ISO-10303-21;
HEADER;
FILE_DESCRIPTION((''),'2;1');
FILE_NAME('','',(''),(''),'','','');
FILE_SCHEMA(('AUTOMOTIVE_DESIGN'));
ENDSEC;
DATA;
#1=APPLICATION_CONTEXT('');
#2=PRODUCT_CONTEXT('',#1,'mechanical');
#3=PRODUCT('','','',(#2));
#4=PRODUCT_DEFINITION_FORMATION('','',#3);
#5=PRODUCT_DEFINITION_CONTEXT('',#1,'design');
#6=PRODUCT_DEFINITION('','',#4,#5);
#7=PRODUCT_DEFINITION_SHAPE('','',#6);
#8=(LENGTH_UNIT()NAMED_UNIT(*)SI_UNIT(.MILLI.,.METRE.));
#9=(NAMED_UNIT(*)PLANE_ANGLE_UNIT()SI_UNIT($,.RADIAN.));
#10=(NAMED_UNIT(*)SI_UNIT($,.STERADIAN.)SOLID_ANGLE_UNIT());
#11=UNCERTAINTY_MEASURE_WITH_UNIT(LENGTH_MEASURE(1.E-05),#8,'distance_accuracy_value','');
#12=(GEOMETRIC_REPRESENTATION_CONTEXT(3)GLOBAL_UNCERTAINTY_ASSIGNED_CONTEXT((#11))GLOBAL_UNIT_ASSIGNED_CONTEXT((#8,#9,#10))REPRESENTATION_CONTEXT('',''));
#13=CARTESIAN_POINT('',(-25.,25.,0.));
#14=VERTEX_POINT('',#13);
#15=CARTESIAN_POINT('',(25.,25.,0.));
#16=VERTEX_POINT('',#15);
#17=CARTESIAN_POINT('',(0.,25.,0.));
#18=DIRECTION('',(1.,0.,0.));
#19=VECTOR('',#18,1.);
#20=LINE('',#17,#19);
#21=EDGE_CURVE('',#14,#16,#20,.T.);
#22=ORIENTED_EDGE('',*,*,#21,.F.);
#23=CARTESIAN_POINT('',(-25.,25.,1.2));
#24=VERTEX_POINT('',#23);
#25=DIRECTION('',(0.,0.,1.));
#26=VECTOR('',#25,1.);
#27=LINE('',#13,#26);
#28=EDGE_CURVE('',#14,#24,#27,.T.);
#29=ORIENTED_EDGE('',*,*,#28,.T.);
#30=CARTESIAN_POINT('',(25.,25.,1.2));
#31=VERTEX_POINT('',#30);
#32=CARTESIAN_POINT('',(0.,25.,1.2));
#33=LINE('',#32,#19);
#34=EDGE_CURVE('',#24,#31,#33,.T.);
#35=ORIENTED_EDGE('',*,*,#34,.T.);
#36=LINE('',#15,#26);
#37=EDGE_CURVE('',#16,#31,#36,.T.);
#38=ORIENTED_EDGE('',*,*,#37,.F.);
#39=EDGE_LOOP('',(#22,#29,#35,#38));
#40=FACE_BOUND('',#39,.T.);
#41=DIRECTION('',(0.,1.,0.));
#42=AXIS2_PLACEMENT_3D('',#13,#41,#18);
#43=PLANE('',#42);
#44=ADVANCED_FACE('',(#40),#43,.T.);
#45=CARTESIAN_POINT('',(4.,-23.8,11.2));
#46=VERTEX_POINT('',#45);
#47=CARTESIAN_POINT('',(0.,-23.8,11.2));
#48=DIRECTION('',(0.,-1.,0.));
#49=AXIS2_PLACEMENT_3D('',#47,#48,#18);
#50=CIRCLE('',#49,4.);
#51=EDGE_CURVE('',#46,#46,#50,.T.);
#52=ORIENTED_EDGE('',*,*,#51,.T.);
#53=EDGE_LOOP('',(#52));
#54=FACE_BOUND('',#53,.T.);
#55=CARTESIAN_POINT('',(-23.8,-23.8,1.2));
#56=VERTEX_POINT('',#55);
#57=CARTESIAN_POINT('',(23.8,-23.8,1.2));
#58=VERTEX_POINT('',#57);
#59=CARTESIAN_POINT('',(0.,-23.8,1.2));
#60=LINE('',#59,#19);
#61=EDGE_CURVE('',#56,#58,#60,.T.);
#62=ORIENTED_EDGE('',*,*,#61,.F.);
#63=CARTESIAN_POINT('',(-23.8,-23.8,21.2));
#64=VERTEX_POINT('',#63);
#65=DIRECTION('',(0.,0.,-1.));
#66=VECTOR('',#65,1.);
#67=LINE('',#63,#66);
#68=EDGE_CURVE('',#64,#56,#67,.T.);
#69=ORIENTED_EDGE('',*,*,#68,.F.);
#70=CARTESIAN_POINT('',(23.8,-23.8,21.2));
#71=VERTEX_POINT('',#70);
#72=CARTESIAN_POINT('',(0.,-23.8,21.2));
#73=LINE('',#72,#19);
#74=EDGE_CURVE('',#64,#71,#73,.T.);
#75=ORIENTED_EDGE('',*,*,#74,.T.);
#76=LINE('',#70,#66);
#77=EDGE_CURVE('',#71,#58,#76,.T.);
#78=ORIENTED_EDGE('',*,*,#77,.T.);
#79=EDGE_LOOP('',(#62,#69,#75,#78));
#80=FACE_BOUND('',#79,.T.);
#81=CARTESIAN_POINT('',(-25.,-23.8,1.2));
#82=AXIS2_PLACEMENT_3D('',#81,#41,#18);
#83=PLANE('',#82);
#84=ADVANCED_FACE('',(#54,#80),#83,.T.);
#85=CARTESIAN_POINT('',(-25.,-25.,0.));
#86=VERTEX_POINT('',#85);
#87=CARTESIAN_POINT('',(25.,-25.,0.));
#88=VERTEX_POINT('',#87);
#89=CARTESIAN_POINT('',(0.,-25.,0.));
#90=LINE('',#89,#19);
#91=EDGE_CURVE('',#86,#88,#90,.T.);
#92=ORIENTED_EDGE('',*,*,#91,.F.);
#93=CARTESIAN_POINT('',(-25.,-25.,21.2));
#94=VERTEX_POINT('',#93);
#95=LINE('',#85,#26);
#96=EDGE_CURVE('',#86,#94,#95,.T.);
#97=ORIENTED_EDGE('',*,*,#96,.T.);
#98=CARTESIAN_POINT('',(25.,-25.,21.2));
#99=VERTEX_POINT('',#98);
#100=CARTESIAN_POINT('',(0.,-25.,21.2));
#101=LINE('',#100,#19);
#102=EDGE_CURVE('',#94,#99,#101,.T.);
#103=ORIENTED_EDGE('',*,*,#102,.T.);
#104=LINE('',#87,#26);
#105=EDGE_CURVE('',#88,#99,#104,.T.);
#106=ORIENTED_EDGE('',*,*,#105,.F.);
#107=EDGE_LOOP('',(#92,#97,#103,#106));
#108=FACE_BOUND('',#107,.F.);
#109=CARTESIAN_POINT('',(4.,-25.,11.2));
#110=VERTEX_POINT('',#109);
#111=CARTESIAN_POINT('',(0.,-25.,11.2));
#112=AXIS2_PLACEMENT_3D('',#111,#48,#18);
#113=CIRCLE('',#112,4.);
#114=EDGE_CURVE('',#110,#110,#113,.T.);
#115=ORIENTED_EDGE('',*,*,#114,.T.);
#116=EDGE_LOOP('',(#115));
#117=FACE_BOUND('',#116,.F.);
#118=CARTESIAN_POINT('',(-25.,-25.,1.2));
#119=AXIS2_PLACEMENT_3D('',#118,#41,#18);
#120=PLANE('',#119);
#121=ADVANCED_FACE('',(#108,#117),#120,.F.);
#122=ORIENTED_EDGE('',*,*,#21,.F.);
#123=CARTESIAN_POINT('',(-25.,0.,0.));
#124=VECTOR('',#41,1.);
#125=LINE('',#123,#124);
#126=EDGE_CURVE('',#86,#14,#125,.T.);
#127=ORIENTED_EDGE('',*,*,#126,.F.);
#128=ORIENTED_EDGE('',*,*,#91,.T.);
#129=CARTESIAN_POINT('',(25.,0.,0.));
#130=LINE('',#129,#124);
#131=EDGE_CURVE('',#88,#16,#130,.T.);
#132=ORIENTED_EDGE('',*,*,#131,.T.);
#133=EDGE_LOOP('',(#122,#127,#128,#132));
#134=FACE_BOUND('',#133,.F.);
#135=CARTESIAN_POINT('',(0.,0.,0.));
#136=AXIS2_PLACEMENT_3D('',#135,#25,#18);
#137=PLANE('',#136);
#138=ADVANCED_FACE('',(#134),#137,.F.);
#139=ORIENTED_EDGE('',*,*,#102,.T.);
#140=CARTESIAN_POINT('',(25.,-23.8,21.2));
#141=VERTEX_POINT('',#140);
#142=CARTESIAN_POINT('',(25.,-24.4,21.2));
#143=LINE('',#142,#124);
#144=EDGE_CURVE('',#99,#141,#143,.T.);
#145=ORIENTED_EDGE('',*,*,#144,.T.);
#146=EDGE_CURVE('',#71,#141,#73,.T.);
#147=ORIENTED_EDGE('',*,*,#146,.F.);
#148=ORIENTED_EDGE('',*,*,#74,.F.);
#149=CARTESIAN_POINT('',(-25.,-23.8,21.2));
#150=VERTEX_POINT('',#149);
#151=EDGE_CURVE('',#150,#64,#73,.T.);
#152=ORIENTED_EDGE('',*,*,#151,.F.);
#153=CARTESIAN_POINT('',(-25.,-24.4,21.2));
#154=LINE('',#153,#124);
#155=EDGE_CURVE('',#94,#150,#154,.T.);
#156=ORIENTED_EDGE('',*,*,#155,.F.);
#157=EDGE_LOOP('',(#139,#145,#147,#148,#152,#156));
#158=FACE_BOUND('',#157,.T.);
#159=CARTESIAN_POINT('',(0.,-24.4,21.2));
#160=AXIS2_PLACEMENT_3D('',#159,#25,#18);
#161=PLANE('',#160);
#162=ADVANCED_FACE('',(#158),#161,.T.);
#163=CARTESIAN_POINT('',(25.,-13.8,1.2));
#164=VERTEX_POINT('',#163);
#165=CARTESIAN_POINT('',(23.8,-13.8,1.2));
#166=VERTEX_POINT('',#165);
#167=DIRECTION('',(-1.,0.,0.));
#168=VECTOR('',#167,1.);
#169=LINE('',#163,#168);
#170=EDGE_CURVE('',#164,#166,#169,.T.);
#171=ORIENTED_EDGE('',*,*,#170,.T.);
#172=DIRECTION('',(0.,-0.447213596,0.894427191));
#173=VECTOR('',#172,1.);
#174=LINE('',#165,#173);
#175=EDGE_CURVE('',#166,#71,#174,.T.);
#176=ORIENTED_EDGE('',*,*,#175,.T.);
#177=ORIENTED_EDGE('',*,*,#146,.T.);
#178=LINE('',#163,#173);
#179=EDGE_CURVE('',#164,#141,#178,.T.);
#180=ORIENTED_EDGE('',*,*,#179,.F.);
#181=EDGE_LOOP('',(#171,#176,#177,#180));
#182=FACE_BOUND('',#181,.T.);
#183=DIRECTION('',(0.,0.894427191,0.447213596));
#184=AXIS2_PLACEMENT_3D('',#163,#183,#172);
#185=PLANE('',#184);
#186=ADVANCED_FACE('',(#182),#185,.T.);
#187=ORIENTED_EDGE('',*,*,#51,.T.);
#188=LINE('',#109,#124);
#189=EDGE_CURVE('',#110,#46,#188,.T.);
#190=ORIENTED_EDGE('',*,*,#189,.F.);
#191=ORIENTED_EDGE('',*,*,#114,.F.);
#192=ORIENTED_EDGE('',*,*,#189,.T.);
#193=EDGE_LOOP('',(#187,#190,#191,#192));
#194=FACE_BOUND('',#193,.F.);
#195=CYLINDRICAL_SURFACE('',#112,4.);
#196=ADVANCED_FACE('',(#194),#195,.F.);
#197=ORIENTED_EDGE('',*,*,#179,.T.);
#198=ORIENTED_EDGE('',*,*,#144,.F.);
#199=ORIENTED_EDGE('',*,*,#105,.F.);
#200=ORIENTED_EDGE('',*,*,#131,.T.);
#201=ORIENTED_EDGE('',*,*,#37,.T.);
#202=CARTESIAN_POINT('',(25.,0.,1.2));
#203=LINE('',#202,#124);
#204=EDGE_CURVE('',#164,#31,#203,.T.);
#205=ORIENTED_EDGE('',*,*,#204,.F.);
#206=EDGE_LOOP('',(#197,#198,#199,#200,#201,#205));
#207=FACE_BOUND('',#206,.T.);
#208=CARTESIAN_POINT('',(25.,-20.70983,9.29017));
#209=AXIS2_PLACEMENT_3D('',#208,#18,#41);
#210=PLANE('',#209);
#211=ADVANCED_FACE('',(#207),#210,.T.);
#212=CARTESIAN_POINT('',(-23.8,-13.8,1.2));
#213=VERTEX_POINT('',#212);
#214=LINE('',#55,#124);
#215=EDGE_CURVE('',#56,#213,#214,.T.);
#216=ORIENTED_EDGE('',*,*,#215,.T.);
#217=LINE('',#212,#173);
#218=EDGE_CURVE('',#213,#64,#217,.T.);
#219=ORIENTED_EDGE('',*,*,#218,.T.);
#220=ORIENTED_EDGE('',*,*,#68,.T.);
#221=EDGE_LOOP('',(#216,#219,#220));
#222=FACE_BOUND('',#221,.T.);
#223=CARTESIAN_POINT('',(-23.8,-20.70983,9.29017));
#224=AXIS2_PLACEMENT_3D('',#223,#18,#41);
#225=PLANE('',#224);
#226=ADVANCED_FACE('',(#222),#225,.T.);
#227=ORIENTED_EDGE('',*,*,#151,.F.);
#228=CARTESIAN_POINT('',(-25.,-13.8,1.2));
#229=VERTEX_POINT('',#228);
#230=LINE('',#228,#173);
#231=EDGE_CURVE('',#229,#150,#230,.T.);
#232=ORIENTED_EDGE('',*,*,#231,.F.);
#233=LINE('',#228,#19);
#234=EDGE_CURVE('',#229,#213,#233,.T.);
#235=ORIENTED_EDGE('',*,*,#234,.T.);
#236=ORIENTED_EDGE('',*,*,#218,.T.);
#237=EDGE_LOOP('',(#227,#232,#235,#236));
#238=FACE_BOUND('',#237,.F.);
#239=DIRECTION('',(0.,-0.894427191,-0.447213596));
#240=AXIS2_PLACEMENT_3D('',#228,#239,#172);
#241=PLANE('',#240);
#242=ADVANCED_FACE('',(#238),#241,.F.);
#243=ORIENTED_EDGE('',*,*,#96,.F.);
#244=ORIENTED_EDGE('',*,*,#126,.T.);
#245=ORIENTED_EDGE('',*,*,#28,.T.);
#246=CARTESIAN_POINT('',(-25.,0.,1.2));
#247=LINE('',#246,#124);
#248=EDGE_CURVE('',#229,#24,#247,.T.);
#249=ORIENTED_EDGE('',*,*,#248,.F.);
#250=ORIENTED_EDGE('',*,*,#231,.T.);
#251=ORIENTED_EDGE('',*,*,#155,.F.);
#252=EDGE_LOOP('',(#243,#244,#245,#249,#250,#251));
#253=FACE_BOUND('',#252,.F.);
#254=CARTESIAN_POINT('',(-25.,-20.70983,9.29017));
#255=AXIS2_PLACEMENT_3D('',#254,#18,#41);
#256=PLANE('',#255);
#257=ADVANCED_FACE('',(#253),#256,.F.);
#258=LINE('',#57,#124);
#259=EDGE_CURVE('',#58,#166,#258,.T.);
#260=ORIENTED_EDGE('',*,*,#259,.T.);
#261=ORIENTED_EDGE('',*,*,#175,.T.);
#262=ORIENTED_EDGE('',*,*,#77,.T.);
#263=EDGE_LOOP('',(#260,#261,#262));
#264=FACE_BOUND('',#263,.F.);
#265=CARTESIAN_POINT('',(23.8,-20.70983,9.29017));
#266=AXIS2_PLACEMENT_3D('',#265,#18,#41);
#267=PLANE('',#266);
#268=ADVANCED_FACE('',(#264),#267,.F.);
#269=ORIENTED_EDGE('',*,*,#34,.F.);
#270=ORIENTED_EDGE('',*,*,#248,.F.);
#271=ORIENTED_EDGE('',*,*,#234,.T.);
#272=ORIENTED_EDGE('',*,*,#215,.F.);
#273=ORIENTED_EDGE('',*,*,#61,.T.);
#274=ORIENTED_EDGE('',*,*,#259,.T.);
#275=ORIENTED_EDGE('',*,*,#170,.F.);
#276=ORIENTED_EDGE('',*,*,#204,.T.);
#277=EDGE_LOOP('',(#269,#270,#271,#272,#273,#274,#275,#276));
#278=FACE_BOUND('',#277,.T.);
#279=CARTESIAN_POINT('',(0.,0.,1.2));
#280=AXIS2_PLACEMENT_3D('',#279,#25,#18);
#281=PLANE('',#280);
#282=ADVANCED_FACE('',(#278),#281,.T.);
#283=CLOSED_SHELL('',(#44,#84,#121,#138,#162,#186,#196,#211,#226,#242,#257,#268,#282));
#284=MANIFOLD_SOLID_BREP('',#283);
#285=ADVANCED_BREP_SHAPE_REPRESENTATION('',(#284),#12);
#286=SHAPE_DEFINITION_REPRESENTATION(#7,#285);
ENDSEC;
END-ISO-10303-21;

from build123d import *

# Parameters (mm, degrees)
SKETCH_W     = 50
SKETCH_H     = 50
PAD_DEPTH    = 1.2
SKETCH001_W  = 50
SKETCH001_H  = 1.2
PAD001_DEPTH = 20
PAD002_DEPTH = 1.2
PAD003_DEPTH = 1.2
SKETCH004_R  = 4
POCKET_DEPTH = 1.2


with BuildPart() as part:
    # Sketch → Pad (new body)
    with BuildSketch(Plane.XY):
        Rectangle(SKETCH_W, SKETCH_H)
    extrude(amount=PAD_DEPTH)

    # Sketch001 (on Face6 of Pad) → Pad001 (join)
    with BuildSketch(Plane.XY.offset(1.2)):
        with Locations((0, -24.4)):
            Rectangle(SKETCH001_W, SKETCH001_H)
    extrude(amount=PAD001_DEPTH)

    # Sketch002 (on Face7 of Pad001) → Pad002 (join)
    with BuildSketch(Plane(origin=(-25, 0, 0), x_dir=(0, -1, 0), z_dir=(-1, 0, 0))):
        Polygon((23.8, 21.2), (23.8, 1.2), (13.8, 1.2), align=None)
    extrude(amount=-PAD002_DEPTH)

    # Sketch003 (on Face1 of Pad002) → Pad003 (join)
    with BuildSketch(Plane.YZ.offset(25)):
        Polygon((-23.8, 21.2), (-23.8, 1.2), (-13.8, 1.2), align=None)
    extrude(amount=-PAD003_DEPTH)

    # Sketch004 (on Face9 of Pad003) → Pocket (cut)
    with BuildSketch(Plane.XZ.offset(25)):
        with Locations((0, 11.2)):
            Circle(SKETCH004_R)
    extrude(amount=-POCKET_DEPTH, mode=Mode.SUBTRACT)


solid = part.part
